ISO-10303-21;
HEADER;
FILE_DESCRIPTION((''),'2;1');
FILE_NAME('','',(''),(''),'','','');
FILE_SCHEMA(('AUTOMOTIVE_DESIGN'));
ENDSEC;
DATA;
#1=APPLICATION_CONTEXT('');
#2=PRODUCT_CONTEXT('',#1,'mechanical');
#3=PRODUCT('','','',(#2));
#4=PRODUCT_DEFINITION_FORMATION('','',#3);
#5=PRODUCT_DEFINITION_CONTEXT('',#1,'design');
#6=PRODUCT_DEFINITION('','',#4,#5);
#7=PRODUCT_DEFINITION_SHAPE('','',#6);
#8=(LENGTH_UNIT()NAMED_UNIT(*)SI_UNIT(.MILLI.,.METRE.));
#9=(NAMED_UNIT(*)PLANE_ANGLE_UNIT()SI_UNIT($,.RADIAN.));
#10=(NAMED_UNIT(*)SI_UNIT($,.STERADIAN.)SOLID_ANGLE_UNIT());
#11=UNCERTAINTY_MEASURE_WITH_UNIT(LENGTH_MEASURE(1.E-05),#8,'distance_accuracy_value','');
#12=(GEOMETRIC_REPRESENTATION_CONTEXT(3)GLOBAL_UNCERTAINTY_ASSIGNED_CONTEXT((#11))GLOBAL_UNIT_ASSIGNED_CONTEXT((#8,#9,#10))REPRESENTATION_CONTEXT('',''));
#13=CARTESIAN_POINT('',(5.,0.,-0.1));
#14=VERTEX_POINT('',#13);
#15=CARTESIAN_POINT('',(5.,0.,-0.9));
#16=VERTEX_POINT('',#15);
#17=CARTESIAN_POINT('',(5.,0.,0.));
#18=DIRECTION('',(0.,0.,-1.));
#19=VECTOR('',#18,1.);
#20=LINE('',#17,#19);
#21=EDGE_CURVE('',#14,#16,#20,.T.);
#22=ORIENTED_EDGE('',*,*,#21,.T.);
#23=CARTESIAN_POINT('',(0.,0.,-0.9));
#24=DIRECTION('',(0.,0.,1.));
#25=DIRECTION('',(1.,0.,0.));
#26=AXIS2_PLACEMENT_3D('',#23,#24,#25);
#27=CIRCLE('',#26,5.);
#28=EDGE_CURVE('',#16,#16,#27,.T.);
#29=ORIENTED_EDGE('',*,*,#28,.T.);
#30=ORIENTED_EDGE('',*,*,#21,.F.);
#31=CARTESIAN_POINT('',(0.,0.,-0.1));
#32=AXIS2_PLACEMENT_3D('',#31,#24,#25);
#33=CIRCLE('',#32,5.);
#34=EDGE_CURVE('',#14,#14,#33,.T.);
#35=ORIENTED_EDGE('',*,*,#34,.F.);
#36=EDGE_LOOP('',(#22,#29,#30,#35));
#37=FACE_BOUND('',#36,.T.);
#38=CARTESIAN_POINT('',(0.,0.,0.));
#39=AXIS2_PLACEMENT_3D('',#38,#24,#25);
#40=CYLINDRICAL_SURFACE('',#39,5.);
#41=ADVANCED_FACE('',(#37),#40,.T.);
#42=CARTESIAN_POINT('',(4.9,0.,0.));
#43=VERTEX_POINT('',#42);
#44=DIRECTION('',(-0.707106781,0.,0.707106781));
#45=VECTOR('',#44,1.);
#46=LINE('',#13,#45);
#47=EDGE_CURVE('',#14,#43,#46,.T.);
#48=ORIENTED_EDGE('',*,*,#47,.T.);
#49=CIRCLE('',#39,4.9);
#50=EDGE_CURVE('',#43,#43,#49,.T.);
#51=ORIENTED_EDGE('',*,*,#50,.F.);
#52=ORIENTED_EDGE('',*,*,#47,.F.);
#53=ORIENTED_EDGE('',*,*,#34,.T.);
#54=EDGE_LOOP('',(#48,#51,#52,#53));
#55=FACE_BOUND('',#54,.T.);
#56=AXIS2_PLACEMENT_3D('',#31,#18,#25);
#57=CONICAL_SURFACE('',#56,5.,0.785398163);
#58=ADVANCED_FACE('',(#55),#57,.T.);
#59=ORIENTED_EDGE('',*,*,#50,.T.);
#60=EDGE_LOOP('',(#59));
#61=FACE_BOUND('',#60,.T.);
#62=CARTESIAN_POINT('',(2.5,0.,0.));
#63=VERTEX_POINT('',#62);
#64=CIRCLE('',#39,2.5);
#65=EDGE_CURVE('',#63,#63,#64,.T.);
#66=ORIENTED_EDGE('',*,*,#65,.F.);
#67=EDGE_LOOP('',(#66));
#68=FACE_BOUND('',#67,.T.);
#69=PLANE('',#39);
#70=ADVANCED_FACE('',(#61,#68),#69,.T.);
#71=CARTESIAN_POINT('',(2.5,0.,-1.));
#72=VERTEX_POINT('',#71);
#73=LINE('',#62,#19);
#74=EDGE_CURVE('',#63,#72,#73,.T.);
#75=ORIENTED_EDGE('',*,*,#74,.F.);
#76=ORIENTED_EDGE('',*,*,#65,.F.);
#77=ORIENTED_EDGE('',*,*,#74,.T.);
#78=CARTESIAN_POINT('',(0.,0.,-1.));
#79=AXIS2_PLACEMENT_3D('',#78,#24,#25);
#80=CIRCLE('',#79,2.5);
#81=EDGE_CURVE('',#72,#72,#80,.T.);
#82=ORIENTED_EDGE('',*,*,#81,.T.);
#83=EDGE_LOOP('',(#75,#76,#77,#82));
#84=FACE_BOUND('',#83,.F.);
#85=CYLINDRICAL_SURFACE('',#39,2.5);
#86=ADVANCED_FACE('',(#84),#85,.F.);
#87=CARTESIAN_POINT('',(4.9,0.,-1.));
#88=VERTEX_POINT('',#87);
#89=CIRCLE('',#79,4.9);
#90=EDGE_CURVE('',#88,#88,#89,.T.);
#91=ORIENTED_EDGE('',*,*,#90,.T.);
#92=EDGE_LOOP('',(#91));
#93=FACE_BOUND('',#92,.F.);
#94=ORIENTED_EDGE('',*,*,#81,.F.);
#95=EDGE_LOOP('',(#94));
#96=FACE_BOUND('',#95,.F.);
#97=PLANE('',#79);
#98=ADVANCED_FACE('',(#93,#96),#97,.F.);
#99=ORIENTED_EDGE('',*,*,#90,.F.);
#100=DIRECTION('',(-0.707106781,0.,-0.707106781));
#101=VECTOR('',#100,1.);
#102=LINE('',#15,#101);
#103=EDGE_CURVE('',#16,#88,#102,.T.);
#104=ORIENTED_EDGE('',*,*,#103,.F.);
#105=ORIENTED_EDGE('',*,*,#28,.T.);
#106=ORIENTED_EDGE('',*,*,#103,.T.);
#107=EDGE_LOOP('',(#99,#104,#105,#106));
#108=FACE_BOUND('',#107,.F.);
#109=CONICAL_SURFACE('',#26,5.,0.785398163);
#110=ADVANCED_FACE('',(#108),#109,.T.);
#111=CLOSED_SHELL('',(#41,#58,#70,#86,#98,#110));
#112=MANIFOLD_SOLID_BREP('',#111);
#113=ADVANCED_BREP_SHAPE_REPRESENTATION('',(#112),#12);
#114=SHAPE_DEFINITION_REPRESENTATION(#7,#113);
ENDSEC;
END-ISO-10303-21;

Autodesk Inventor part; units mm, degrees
ref_plane "YZ Plane" through (0, 0, 0) normal (1, 0, 0) x (0, 1, 0)
ref_plane "XZ Plane" through (0, 0, 0) normal (0, 1, 0) x (-1, 0, 0)
ref_plane "XY Plane" through (0, 0, 0) normal (0, 0, 1) x (1, 0, 0)
sketch "Эскиз1" plane through (0, 0, 0) normal (0, 0, 1) x (1, 0, 0)
  circle A0 centre (0, 0) radius 2.5
  circle A1 centre (0, 0) radius 5
  dimension "d0" = 5
  dimension "d1" = 10
extrude "Выдавливание1" add sketch "Эскиз1" against normal blind 1
chamfer "Фаска1" distance 0.1 angle 45 2 edges at (-5, 0, 0) (-5, 0, -1)
properties part number "Precision Shim 10x5x1"
